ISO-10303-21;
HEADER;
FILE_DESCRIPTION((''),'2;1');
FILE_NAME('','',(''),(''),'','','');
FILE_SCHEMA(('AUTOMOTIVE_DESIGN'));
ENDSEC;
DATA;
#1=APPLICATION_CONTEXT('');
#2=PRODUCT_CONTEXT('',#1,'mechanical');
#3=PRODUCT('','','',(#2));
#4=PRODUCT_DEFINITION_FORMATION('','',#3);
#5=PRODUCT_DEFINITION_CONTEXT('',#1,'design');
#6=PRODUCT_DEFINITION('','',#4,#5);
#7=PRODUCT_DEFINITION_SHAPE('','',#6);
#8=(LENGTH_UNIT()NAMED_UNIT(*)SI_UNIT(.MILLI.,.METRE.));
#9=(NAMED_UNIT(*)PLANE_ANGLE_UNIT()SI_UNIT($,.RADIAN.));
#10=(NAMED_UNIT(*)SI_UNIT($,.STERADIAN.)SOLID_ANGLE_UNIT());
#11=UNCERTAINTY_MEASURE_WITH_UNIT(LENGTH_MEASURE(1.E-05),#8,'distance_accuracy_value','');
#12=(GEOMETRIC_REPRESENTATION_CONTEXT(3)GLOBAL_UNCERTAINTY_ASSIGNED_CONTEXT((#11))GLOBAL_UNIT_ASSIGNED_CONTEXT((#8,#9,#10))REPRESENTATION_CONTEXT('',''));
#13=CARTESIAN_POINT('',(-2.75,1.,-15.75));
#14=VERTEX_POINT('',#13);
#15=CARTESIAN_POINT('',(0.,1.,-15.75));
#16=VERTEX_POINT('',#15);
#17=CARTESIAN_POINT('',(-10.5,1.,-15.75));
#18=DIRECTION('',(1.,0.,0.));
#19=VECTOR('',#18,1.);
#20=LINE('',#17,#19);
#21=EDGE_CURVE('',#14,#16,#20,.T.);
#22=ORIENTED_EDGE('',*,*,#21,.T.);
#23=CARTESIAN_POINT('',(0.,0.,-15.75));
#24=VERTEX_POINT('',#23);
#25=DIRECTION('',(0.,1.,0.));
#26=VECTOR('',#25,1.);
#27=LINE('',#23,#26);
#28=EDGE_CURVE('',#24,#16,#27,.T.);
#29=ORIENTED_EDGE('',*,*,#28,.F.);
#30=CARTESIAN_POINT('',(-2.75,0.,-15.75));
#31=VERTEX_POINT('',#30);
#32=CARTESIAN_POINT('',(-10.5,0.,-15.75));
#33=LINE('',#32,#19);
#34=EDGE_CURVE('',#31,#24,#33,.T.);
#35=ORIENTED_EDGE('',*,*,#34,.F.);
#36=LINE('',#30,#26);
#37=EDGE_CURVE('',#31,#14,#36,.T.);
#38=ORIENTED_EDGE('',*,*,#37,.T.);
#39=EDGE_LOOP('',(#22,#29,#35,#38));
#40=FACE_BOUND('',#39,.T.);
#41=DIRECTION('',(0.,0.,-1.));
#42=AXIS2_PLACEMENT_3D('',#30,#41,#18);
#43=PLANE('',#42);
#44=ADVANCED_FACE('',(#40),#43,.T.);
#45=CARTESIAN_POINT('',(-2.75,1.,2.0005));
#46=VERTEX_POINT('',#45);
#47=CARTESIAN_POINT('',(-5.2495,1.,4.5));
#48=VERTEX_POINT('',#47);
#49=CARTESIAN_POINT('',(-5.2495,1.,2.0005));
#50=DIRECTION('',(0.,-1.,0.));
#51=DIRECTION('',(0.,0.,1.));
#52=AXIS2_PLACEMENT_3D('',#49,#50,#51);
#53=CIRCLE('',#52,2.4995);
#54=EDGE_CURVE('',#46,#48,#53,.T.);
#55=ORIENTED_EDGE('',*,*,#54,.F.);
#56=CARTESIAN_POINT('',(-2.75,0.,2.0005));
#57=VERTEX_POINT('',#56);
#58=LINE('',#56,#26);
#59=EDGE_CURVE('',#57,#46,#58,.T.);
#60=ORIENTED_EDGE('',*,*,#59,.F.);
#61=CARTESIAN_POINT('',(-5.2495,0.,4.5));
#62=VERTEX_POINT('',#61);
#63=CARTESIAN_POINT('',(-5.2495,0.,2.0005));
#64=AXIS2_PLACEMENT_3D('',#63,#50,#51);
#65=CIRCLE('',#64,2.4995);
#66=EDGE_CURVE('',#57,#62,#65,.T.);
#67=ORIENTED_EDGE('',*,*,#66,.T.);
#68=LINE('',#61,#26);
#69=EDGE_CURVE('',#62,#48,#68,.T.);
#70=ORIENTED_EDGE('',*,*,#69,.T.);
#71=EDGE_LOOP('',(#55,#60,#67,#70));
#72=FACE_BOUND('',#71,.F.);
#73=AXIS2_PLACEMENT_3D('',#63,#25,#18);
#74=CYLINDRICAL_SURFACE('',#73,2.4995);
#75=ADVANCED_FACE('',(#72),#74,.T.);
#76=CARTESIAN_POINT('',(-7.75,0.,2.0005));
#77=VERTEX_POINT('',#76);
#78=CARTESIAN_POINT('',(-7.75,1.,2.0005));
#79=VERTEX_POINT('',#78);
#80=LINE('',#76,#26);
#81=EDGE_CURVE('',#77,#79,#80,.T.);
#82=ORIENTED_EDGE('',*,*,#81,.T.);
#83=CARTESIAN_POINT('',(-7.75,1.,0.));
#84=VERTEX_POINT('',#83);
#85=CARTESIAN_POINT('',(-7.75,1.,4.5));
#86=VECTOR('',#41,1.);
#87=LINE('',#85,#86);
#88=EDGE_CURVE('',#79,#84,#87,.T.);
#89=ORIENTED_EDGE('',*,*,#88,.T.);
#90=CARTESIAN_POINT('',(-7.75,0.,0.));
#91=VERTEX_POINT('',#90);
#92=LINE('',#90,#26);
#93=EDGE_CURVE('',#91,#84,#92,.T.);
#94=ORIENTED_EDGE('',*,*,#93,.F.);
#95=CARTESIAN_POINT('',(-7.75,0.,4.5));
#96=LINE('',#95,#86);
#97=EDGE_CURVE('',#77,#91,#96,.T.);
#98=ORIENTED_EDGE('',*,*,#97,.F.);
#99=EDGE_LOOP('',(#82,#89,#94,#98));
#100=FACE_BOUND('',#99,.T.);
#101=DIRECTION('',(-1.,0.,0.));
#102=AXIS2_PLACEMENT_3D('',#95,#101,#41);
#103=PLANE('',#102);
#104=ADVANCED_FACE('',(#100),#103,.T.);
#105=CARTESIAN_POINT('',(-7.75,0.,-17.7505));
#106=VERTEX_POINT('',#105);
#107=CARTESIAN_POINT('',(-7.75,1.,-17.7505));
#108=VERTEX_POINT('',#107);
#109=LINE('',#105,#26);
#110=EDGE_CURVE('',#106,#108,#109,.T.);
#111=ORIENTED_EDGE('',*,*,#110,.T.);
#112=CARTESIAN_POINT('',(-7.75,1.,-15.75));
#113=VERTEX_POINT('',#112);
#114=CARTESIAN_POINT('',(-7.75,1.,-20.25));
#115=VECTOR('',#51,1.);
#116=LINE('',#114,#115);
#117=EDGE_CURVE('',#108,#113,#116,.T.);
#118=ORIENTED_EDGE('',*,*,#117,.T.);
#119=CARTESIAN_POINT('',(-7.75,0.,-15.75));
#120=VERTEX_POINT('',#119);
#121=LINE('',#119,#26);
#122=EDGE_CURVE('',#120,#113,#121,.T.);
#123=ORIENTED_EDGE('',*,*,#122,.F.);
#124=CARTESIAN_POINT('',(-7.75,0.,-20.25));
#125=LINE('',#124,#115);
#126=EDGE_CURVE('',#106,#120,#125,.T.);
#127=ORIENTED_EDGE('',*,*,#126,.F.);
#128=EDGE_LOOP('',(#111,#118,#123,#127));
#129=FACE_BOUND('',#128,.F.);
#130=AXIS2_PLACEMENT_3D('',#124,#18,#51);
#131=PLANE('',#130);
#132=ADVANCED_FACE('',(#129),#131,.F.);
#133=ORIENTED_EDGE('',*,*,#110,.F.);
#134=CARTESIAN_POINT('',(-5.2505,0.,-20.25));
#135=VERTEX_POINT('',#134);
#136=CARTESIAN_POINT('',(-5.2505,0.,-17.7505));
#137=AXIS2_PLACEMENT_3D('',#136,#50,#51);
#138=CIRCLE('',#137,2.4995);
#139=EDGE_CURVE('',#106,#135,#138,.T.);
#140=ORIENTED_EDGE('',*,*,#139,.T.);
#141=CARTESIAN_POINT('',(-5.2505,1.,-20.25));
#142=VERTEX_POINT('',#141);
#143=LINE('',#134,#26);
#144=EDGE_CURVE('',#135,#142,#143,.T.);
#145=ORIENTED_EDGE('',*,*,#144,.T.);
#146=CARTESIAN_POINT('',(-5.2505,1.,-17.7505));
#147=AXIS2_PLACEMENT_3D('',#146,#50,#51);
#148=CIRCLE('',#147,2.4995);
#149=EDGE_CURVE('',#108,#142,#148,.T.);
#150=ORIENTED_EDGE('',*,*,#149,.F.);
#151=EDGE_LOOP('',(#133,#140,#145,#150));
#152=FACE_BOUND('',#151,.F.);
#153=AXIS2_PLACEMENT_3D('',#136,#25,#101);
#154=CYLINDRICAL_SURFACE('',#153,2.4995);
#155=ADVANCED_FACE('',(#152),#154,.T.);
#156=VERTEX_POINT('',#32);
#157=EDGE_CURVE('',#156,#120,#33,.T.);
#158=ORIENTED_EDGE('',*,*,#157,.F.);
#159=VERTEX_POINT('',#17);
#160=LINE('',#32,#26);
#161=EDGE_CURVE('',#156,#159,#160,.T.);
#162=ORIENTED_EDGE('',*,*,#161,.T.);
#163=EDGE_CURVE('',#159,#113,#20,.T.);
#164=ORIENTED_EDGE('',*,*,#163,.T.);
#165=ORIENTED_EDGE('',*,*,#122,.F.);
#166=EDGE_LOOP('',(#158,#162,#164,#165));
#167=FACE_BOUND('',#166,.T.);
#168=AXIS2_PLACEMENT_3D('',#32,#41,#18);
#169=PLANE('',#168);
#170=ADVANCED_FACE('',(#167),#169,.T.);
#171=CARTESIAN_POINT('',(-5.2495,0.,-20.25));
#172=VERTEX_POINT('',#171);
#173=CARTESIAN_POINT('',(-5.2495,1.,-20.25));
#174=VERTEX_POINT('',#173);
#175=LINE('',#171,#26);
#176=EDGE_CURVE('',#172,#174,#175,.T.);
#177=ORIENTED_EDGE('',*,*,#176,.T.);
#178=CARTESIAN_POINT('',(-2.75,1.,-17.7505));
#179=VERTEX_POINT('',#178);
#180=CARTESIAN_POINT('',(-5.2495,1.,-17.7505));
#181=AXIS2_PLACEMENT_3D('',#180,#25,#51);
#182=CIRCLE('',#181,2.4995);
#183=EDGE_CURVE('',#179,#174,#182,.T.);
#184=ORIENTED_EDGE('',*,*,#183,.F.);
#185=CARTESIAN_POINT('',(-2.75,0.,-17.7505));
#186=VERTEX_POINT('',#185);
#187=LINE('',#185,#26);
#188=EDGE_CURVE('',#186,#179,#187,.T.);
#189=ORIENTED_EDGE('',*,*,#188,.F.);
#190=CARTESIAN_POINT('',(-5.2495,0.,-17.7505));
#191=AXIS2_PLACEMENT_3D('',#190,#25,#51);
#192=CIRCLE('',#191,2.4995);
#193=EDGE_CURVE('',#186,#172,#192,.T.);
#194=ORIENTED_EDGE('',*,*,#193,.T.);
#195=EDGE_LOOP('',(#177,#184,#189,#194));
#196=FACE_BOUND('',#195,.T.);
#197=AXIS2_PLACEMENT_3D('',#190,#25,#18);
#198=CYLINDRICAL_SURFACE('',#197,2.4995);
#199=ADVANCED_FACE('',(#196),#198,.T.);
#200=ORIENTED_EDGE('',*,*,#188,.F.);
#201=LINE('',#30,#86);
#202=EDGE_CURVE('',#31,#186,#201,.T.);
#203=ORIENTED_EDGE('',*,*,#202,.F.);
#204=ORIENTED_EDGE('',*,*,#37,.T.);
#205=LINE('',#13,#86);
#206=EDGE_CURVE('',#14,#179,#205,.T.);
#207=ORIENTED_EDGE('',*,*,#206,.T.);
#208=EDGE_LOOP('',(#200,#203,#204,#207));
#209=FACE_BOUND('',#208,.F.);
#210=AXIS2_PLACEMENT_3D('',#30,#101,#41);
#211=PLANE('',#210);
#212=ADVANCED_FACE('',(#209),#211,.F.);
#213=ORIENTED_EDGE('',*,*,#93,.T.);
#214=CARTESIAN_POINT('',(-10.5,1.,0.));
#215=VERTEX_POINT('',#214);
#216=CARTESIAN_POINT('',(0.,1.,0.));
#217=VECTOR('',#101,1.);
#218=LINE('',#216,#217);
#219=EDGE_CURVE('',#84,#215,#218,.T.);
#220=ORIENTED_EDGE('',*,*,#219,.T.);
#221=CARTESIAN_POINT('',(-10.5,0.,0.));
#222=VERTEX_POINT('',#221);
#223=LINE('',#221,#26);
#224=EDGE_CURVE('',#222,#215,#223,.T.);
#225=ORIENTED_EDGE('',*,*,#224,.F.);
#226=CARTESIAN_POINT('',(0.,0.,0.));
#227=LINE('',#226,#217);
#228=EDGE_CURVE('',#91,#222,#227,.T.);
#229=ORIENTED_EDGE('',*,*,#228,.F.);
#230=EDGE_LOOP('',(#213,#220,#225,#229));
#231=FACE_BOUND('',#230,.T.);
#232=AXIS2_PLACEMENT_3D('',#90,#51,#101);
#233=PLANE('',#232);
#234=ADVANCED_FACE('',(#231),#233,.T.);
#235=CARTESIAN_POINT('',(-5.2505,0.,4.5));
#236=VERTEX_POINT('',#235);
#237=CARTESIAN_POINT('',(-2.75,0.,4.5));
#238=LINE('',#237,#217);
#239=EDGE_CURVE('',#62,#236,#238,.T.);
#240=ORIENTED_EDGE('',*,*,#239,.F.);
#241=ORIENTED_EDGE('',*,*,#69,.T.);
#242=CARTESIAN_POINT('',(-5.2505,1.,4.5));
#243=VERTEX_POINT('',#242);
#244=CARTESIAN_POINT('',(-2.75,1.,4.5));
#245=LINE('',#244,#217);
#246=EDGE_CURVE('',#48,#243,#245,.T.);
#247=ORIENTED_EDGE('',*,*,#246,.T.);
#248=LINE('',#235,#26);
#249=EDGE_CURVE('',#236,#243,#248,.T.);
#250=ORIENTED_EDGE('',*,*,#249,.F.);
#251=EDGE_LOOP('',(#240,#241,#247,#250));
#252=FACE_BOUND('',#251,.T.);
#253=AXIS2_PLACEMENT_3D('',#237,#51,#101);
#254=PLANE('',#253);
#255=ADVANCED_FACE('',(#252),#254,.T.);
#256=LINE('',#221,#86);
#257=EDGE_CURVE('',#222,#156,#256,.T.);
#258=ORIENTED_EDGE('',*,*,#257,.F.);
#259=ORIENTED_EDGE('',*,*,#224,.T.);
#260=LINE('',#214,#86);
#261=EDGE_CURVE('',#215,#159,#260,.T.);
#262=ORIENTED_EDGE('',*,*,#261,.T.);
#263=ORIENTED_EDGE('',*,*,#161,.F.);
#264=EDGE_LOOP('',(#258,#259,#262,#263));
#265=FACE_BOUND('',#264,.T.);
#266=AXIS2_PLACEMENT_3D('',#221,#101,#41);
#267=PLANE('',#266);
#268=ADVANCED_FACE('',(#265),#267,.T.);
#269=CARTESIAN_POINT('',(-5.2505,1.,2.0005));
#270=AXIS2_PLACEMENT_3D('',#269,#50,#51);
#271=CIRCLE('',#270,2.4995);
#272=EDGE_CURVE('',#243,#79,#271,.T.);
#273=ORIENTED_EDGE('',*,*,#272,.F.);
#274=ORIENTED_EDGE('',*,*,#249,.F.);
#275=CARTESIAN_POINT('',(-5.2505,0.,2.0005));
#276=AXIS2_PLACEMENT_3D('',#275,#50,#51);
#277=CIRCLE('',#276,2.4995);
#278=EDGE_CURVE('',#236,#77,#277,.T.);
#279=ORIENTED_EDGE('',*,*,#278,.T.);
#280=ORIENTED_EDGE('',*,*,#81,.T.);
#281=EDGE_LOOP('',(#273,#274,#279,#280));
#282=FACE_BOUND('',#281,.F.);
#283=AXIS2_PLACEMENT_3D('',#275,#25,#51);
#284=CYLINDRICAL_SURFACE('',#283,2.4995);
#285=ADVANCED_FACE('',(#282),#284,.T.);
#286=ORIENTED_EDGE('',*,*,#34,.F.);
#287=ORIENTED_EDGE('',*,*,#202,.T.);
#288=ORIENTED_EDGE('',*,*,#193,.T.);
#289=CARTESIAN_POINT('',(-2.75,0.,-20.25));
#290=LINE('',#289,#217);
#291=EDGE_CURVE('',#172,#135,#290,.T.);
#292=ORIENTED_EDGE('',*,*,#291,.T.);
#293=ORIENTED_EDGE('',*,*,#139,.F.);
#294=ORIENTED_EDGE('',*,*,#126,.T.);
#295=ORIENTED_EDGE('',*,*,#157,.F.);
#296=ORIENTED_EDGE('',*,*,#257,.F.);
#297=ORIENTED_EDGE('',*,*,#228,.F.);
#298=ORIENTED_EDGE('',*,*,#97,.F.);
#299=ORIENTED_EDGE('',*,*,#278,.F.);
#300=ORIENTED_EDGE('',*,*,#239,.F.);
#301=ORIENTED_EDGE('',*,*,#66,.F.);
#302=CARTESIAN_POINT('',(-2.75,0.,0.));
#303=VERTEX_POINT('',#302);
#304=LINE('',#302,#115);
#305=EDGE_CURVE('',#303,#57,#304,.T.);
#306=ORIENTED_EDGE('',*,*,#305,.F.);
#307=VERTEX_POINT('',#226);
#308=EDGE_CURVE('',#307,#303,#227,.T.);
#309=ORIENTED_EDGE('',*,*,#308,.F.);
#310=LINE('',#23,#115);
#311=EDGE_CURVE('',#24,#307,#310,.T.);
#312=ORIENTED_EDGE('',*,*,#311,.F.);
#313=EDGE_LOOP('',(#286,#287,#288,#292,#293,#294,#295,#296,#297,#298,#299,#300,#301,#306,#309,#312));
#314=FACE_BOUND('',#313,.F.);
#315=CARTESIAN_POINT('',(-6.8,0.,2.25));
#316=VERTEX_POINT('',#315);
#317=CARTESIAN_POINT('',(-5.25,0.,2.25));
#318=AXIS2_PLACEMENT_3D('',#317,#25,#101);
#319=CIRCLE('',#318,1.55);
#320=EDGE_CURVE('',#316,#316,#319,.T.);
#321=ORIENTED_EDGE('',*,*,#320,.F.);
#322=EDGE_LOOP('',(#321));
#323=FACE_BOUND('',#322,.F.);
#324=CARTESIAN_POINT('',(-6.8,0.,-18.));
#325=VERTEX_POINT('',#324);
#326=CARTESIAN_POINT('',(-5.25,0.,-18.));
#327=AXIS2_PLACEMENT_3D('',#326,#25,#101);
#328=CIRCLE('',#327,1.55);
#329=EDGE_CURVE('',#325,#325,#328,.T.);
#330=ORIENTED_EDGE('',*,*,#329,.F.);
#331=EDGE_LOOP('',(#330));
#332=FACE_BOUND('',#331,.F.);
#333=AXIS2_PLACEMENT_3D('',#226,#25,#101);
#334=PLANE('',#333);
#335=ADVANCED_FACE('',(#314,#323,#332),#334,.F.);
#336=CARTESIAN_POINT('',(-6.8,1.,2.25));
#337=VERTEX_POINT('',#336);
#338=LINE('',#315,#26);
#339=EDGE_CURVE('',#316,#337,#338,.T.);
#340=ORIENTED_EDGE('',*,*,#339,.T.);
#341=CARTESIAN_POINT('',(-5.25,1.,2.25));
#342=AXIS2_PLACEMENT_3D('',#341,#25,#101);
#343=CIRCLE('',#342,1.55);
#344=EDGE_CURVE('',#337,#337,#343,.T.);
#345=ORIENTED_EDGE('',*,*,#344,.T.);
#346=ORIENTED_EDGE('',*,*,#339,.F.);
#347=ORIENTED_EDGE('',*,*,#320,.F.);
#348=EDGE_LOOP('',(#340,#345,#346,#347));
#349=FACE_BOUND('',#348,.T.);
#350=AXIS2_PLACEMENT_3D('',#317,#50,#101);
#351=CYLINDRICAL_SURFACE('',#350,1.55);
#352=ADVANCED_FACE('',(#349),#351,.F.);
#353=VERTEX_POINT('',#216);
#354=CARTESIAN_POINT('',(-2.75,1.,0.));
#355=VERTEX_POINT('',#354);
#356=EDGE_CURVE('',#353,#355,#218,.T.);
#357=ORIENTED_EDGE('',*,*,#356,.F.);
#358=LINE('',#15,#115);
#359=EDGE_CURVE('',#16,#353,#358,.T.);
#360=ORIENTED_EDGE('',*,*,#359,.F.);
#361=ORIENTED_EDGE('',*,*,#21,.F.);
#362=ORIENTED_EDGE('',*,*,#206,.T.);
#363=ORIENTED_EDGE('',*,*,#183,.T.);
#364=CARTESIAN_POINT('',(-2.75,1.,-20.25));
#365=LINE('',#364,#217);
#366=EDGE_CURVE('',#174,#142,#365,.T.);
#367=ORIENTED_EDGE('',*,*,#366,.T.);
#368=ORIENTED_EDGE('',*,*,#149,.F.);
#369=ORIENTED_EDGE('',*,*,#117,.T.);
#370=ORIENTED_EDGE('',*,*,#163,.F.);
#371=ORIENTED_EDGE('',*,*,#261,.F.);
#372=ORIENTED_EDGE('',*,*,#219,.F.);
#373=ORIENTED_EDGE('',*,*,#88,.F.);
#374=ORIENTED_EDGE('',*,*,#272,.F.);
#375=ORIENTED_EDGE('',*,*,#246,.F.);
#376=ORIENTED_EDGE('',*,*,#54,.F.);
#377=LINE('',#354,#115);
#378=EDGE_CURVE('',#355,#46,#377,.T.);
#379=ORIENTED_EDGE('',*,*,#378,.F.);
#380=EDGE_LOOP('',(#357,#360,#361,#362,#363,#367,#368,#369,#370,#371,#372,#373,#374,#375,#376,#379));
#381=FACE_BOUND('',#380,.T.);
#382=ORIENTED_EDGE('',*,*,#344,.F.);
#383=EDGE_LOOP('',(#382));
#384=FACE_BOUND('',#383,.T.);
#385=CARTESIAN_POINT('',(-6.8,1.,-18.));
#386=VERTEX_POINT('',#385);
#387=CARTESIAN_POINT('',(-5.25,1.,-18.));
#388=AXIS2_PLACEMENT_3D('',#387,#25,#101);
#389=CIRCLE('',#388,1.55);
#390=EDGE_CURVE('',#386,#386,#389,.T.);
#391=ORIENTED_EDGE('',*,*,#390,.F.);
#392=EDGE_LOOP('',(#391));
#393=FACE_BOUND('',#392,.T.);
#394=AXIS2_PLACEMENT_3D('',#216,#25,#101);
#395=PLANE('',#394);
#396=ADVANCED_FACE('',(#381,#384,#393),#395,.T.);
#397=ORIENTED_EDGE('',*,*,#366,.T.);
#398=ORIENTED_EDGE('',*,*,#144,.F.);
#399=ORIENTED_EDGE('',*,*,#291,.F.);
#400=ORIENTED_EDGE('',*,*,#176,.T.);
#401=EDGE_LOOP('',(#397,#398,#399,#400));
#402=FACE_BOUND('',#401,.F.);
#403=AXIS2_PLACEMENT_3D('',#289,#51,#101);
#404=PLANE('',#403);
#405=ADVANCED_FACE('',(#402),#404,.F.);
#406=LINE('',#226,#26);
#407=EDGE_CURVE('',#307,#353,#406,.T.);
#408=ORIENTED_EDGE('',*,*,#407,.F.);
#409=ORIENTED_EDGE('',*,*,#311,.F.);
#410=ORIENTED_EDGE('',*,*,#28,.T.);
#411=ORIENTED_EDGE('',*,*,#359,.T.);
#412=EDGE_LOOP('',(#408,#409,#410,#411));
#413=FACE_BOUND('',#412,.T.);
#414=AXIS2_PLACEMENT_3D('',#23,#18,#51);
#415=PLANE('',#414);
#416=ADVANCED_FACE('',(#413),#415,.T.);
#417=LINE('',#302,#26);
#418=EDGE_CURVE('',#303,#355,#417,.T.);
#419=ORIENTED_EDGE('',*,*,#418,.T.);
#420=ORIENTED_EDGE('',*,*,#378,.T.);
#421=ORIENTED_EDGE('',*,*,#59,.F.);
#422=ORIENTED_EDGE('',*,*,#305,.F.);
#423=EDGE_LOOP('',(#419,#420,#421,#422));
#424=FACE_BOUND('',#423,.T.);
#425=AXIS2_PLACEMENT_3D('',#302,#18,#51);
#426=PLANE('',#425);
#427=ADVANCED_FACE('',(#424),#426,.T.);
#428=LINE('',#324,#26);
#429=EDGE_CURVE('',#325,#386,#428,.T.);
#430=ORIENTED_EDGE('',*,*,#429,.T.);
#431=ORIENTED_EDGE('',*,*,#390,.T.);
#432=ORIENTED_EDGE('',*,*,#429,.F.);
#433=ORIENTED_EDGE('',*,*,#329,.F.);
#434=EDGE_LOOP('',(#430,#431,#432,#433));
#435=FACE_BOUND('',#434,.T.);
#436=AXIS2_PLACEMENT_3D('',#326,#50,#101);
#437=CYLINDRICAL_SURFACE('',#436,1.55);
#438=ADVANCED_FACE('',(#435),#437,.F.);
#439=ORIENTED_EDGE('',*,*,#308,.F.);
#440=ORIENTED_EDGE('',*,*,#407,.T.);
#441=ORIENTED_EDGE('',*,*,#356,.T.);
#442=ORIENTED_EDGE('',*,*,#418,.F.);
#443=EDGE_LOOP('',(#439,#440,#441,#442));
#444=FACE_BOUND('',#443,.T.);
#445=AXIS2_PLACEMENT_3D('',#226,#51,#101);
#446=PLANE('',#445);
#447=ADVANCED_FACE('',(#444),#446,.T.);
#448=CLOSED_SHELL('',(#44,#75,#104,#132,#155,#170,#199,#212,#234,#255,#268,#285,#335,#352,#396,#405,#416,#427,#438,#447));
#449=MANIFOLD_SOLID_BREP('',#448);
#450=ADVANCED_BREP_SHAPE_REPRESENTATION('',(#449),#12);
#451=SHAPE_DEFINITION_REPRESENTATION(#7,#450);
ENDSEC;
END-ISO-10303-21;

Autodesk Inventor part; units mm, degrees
ref_plane "YZ Plane" through (0, 0, 0) normal (1, 0, 0) x (0, 1, 0)
ref_plane "XZ Plane" through (0, 0, 0) normal (0, 1, 0) x (-1, 0, 0)
ref_plane "XY Plane" through (0, 0, 0) normal (0, 0, 1) x (1, 0, 0)
sketch "Szkic1" plane through (0, 0, 0) normal (0, 1, 0) x (-1, 0, 0)
  line L0 (0, 0) -> (10.5, 0)
  line L1 (10.5, 0) -> (10.5, -15.75)
  line L2 (10.5, -15.75) -> (0, -15.75)
  line L3 (0, -15.75) -> (0, 0)
  line L4 (7.75, -15.75) -> (2.75, -15.75)
  line L5 (2.75, -15.75) -> (2.75, -20.25)
  line L6 (2.75, -20.25) -> (7.75, -20.25)
  line L7 (7.75, -20.25) -> (7.75, -15.75)
  line L8 (7.75, 0) -> (2.75, 0)
  line L9 (2.75, 0) -> (2.75, 4.5)
  line L10 (2.75, 4.5) -> (7.75, 4.5)
  line L11 (7.75, 4.5) -> (7.75, 0)
  circle A0 centre (5.25, 2.25) radius 1.55
  circle A1 centre (5.25, -18) radius 1.55
  point P0 (5.25, -20.25)
  point P1 (7.75, -18)
  point P2 (5.25, 4.5)
  point P3 (7.75, 2.25)
  dimension "d0" = 10.5
  dimension "d1" = 15.75
  dimension "d2" = 5
  dimension "d3" = 4.5
  dimension "d4" = 2.75
  dimension "d5" = 5
  dimension "d6" = 4.5
  dimension "d7" = 2.75
  dimension "d8" = 3.1
  dimension "d9" = 3.1
  dimension "d10" = 2.25
  dimension "d11" = 2.5
  dimension "d12" = 2.25
  dimension "d13" = 2.5
extrude "Wyciągnięcie proste1" add sketch "Szkic1" along normal blind 1
fillet "Zaokrąglenie1" radius 2.5 4 edges at (-2.75, 0.5, 4.5) (-7.75, 0.5, 4.5) (-2.75, 0.5, -20.25) (-7.75, 0.5, -20.25)
properties part number "1XV2"
